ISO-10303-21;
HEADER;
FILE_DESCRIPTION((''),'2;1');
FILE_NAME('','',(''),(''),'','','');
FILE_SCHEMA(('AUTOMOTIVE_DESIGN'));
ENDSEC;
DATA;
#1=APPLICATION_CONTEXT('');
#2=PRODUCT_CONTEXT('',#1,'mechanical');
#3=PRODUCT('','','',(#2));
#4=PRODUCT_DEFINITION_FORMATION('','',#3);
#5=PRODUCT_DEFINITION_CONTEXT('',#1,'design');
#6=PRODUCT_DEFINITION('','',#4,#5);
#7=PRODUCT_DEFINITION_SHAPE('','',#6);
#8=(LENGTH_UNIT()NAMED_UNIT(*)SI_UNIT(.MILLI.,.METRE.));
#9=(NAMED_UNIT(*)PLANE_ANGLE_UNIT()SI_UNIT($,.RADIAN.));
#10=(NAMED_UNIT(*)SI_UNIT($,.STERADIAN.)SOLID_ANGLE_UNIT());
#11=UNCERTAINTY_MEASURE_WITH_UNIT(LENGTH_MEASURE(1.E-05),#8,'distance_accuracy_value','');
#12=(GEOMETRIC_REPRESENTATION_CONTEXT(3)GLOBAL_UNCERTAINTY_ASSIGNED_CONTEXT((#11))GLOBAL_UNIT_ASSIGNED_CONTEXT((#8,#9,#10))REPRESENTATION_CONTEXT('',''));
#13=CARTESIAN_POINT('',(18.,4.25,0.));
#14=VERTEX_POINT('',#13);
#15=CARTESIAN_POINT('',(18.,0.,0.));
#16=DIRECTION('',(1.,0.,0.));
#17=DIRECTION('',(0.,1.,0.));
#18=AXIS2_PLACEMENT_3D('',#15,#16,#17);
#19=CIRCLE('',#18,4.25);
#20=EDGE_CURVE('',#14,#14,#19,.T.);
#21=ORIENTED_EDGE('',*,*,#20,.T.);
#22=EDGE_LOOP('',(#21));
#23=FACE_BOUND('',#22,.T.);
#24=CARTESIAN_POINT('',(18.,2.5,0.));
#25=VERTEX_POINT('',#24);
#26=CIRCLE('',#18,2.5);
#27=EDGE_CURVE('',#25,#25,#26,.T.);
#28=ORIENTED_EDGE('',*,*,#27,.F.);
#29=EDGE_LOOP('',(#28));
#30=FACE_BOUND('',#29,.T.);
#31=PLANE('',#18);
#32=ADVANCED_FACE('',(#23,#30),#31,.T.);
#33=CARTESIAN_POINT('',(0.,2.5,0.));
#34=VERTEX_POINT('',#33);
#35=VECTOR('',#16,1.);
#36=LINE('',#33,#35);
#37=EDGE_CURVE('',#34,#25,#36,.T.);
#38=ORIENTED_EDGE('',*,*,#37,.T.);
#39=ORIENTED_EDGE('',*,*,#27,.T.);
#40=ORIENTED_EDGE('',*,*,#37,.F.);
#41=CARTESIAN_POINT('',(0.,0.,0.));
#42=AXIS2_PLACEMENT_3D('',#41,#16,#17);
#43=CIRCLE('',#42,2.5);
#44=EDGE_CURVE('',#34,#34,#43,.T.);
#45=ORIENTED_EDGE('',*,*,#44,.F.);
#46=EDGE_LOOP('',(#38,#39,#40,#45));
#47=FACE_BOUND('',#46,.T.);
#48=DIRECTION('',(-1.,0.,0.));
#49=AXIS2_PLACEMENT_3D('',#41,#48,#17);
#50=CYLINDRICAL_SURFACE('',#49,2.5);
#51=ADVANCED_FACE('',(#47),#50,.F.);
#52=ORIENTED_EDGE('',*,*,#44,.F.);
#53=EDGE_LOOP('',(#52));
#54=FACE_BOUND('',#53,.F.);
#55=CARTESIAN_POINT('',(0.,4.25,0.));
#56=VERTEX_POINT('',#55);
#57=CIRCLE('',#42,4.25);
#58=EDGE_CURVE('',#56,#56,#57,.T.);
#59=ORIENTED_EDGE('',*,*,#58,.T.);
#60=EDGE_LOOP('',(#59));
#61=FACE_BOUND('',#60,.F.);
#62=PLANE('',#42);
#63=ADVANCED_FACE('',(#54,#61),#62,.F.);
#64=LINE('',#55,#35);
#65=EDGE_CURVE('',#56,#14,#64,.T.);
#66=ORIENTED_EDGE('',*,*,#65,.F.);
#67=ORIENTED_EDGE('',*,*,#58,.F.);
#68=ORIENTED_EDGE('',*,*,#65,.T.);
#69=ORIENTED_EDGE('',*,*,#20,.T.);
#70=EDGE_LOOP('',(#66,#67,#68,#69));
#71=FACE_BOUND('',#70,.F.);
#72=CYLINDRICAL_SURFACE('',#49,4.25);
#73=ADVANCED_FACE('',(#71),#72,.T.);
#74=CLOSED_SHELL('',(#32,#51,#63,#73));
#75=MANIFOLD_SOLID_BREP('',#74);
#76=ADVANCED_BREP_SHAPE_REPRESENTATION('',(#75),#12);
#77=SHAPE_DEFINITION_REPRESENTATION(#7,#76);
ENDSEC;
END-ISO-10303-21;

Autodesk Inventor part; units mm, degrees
ref_plane "YZ Plane" through (0, 0, 0) normal (1, 0, 0) x (0, 1, 0)
ref_plane "XZ Plane" through (0, 0, 0) normal (0, 1, 0) x (-1, 0, 0)
ref_plane "XY Plane" through (0, 0, 0) normal (0, 0, 1) x (1, 0, 0)
sketch "Sketch1" plane through (0, 0, 0) normal (1, 0, 0) x (0, 1, 0)
  circle A0 centre (0, 0) radius 4.25
  circle A1 centre (0, 0) radius 2.5
  dimension "d0" = 4.25
  dimension "d3" = 2.5
extrude "Extrusion2" add sketch "Sketch1" along normal blind 18
thread "Thread1" size "M5x0.8" class "6H" standard "ANSI Metric M Profile" length 5
properties part number "dc cover"
